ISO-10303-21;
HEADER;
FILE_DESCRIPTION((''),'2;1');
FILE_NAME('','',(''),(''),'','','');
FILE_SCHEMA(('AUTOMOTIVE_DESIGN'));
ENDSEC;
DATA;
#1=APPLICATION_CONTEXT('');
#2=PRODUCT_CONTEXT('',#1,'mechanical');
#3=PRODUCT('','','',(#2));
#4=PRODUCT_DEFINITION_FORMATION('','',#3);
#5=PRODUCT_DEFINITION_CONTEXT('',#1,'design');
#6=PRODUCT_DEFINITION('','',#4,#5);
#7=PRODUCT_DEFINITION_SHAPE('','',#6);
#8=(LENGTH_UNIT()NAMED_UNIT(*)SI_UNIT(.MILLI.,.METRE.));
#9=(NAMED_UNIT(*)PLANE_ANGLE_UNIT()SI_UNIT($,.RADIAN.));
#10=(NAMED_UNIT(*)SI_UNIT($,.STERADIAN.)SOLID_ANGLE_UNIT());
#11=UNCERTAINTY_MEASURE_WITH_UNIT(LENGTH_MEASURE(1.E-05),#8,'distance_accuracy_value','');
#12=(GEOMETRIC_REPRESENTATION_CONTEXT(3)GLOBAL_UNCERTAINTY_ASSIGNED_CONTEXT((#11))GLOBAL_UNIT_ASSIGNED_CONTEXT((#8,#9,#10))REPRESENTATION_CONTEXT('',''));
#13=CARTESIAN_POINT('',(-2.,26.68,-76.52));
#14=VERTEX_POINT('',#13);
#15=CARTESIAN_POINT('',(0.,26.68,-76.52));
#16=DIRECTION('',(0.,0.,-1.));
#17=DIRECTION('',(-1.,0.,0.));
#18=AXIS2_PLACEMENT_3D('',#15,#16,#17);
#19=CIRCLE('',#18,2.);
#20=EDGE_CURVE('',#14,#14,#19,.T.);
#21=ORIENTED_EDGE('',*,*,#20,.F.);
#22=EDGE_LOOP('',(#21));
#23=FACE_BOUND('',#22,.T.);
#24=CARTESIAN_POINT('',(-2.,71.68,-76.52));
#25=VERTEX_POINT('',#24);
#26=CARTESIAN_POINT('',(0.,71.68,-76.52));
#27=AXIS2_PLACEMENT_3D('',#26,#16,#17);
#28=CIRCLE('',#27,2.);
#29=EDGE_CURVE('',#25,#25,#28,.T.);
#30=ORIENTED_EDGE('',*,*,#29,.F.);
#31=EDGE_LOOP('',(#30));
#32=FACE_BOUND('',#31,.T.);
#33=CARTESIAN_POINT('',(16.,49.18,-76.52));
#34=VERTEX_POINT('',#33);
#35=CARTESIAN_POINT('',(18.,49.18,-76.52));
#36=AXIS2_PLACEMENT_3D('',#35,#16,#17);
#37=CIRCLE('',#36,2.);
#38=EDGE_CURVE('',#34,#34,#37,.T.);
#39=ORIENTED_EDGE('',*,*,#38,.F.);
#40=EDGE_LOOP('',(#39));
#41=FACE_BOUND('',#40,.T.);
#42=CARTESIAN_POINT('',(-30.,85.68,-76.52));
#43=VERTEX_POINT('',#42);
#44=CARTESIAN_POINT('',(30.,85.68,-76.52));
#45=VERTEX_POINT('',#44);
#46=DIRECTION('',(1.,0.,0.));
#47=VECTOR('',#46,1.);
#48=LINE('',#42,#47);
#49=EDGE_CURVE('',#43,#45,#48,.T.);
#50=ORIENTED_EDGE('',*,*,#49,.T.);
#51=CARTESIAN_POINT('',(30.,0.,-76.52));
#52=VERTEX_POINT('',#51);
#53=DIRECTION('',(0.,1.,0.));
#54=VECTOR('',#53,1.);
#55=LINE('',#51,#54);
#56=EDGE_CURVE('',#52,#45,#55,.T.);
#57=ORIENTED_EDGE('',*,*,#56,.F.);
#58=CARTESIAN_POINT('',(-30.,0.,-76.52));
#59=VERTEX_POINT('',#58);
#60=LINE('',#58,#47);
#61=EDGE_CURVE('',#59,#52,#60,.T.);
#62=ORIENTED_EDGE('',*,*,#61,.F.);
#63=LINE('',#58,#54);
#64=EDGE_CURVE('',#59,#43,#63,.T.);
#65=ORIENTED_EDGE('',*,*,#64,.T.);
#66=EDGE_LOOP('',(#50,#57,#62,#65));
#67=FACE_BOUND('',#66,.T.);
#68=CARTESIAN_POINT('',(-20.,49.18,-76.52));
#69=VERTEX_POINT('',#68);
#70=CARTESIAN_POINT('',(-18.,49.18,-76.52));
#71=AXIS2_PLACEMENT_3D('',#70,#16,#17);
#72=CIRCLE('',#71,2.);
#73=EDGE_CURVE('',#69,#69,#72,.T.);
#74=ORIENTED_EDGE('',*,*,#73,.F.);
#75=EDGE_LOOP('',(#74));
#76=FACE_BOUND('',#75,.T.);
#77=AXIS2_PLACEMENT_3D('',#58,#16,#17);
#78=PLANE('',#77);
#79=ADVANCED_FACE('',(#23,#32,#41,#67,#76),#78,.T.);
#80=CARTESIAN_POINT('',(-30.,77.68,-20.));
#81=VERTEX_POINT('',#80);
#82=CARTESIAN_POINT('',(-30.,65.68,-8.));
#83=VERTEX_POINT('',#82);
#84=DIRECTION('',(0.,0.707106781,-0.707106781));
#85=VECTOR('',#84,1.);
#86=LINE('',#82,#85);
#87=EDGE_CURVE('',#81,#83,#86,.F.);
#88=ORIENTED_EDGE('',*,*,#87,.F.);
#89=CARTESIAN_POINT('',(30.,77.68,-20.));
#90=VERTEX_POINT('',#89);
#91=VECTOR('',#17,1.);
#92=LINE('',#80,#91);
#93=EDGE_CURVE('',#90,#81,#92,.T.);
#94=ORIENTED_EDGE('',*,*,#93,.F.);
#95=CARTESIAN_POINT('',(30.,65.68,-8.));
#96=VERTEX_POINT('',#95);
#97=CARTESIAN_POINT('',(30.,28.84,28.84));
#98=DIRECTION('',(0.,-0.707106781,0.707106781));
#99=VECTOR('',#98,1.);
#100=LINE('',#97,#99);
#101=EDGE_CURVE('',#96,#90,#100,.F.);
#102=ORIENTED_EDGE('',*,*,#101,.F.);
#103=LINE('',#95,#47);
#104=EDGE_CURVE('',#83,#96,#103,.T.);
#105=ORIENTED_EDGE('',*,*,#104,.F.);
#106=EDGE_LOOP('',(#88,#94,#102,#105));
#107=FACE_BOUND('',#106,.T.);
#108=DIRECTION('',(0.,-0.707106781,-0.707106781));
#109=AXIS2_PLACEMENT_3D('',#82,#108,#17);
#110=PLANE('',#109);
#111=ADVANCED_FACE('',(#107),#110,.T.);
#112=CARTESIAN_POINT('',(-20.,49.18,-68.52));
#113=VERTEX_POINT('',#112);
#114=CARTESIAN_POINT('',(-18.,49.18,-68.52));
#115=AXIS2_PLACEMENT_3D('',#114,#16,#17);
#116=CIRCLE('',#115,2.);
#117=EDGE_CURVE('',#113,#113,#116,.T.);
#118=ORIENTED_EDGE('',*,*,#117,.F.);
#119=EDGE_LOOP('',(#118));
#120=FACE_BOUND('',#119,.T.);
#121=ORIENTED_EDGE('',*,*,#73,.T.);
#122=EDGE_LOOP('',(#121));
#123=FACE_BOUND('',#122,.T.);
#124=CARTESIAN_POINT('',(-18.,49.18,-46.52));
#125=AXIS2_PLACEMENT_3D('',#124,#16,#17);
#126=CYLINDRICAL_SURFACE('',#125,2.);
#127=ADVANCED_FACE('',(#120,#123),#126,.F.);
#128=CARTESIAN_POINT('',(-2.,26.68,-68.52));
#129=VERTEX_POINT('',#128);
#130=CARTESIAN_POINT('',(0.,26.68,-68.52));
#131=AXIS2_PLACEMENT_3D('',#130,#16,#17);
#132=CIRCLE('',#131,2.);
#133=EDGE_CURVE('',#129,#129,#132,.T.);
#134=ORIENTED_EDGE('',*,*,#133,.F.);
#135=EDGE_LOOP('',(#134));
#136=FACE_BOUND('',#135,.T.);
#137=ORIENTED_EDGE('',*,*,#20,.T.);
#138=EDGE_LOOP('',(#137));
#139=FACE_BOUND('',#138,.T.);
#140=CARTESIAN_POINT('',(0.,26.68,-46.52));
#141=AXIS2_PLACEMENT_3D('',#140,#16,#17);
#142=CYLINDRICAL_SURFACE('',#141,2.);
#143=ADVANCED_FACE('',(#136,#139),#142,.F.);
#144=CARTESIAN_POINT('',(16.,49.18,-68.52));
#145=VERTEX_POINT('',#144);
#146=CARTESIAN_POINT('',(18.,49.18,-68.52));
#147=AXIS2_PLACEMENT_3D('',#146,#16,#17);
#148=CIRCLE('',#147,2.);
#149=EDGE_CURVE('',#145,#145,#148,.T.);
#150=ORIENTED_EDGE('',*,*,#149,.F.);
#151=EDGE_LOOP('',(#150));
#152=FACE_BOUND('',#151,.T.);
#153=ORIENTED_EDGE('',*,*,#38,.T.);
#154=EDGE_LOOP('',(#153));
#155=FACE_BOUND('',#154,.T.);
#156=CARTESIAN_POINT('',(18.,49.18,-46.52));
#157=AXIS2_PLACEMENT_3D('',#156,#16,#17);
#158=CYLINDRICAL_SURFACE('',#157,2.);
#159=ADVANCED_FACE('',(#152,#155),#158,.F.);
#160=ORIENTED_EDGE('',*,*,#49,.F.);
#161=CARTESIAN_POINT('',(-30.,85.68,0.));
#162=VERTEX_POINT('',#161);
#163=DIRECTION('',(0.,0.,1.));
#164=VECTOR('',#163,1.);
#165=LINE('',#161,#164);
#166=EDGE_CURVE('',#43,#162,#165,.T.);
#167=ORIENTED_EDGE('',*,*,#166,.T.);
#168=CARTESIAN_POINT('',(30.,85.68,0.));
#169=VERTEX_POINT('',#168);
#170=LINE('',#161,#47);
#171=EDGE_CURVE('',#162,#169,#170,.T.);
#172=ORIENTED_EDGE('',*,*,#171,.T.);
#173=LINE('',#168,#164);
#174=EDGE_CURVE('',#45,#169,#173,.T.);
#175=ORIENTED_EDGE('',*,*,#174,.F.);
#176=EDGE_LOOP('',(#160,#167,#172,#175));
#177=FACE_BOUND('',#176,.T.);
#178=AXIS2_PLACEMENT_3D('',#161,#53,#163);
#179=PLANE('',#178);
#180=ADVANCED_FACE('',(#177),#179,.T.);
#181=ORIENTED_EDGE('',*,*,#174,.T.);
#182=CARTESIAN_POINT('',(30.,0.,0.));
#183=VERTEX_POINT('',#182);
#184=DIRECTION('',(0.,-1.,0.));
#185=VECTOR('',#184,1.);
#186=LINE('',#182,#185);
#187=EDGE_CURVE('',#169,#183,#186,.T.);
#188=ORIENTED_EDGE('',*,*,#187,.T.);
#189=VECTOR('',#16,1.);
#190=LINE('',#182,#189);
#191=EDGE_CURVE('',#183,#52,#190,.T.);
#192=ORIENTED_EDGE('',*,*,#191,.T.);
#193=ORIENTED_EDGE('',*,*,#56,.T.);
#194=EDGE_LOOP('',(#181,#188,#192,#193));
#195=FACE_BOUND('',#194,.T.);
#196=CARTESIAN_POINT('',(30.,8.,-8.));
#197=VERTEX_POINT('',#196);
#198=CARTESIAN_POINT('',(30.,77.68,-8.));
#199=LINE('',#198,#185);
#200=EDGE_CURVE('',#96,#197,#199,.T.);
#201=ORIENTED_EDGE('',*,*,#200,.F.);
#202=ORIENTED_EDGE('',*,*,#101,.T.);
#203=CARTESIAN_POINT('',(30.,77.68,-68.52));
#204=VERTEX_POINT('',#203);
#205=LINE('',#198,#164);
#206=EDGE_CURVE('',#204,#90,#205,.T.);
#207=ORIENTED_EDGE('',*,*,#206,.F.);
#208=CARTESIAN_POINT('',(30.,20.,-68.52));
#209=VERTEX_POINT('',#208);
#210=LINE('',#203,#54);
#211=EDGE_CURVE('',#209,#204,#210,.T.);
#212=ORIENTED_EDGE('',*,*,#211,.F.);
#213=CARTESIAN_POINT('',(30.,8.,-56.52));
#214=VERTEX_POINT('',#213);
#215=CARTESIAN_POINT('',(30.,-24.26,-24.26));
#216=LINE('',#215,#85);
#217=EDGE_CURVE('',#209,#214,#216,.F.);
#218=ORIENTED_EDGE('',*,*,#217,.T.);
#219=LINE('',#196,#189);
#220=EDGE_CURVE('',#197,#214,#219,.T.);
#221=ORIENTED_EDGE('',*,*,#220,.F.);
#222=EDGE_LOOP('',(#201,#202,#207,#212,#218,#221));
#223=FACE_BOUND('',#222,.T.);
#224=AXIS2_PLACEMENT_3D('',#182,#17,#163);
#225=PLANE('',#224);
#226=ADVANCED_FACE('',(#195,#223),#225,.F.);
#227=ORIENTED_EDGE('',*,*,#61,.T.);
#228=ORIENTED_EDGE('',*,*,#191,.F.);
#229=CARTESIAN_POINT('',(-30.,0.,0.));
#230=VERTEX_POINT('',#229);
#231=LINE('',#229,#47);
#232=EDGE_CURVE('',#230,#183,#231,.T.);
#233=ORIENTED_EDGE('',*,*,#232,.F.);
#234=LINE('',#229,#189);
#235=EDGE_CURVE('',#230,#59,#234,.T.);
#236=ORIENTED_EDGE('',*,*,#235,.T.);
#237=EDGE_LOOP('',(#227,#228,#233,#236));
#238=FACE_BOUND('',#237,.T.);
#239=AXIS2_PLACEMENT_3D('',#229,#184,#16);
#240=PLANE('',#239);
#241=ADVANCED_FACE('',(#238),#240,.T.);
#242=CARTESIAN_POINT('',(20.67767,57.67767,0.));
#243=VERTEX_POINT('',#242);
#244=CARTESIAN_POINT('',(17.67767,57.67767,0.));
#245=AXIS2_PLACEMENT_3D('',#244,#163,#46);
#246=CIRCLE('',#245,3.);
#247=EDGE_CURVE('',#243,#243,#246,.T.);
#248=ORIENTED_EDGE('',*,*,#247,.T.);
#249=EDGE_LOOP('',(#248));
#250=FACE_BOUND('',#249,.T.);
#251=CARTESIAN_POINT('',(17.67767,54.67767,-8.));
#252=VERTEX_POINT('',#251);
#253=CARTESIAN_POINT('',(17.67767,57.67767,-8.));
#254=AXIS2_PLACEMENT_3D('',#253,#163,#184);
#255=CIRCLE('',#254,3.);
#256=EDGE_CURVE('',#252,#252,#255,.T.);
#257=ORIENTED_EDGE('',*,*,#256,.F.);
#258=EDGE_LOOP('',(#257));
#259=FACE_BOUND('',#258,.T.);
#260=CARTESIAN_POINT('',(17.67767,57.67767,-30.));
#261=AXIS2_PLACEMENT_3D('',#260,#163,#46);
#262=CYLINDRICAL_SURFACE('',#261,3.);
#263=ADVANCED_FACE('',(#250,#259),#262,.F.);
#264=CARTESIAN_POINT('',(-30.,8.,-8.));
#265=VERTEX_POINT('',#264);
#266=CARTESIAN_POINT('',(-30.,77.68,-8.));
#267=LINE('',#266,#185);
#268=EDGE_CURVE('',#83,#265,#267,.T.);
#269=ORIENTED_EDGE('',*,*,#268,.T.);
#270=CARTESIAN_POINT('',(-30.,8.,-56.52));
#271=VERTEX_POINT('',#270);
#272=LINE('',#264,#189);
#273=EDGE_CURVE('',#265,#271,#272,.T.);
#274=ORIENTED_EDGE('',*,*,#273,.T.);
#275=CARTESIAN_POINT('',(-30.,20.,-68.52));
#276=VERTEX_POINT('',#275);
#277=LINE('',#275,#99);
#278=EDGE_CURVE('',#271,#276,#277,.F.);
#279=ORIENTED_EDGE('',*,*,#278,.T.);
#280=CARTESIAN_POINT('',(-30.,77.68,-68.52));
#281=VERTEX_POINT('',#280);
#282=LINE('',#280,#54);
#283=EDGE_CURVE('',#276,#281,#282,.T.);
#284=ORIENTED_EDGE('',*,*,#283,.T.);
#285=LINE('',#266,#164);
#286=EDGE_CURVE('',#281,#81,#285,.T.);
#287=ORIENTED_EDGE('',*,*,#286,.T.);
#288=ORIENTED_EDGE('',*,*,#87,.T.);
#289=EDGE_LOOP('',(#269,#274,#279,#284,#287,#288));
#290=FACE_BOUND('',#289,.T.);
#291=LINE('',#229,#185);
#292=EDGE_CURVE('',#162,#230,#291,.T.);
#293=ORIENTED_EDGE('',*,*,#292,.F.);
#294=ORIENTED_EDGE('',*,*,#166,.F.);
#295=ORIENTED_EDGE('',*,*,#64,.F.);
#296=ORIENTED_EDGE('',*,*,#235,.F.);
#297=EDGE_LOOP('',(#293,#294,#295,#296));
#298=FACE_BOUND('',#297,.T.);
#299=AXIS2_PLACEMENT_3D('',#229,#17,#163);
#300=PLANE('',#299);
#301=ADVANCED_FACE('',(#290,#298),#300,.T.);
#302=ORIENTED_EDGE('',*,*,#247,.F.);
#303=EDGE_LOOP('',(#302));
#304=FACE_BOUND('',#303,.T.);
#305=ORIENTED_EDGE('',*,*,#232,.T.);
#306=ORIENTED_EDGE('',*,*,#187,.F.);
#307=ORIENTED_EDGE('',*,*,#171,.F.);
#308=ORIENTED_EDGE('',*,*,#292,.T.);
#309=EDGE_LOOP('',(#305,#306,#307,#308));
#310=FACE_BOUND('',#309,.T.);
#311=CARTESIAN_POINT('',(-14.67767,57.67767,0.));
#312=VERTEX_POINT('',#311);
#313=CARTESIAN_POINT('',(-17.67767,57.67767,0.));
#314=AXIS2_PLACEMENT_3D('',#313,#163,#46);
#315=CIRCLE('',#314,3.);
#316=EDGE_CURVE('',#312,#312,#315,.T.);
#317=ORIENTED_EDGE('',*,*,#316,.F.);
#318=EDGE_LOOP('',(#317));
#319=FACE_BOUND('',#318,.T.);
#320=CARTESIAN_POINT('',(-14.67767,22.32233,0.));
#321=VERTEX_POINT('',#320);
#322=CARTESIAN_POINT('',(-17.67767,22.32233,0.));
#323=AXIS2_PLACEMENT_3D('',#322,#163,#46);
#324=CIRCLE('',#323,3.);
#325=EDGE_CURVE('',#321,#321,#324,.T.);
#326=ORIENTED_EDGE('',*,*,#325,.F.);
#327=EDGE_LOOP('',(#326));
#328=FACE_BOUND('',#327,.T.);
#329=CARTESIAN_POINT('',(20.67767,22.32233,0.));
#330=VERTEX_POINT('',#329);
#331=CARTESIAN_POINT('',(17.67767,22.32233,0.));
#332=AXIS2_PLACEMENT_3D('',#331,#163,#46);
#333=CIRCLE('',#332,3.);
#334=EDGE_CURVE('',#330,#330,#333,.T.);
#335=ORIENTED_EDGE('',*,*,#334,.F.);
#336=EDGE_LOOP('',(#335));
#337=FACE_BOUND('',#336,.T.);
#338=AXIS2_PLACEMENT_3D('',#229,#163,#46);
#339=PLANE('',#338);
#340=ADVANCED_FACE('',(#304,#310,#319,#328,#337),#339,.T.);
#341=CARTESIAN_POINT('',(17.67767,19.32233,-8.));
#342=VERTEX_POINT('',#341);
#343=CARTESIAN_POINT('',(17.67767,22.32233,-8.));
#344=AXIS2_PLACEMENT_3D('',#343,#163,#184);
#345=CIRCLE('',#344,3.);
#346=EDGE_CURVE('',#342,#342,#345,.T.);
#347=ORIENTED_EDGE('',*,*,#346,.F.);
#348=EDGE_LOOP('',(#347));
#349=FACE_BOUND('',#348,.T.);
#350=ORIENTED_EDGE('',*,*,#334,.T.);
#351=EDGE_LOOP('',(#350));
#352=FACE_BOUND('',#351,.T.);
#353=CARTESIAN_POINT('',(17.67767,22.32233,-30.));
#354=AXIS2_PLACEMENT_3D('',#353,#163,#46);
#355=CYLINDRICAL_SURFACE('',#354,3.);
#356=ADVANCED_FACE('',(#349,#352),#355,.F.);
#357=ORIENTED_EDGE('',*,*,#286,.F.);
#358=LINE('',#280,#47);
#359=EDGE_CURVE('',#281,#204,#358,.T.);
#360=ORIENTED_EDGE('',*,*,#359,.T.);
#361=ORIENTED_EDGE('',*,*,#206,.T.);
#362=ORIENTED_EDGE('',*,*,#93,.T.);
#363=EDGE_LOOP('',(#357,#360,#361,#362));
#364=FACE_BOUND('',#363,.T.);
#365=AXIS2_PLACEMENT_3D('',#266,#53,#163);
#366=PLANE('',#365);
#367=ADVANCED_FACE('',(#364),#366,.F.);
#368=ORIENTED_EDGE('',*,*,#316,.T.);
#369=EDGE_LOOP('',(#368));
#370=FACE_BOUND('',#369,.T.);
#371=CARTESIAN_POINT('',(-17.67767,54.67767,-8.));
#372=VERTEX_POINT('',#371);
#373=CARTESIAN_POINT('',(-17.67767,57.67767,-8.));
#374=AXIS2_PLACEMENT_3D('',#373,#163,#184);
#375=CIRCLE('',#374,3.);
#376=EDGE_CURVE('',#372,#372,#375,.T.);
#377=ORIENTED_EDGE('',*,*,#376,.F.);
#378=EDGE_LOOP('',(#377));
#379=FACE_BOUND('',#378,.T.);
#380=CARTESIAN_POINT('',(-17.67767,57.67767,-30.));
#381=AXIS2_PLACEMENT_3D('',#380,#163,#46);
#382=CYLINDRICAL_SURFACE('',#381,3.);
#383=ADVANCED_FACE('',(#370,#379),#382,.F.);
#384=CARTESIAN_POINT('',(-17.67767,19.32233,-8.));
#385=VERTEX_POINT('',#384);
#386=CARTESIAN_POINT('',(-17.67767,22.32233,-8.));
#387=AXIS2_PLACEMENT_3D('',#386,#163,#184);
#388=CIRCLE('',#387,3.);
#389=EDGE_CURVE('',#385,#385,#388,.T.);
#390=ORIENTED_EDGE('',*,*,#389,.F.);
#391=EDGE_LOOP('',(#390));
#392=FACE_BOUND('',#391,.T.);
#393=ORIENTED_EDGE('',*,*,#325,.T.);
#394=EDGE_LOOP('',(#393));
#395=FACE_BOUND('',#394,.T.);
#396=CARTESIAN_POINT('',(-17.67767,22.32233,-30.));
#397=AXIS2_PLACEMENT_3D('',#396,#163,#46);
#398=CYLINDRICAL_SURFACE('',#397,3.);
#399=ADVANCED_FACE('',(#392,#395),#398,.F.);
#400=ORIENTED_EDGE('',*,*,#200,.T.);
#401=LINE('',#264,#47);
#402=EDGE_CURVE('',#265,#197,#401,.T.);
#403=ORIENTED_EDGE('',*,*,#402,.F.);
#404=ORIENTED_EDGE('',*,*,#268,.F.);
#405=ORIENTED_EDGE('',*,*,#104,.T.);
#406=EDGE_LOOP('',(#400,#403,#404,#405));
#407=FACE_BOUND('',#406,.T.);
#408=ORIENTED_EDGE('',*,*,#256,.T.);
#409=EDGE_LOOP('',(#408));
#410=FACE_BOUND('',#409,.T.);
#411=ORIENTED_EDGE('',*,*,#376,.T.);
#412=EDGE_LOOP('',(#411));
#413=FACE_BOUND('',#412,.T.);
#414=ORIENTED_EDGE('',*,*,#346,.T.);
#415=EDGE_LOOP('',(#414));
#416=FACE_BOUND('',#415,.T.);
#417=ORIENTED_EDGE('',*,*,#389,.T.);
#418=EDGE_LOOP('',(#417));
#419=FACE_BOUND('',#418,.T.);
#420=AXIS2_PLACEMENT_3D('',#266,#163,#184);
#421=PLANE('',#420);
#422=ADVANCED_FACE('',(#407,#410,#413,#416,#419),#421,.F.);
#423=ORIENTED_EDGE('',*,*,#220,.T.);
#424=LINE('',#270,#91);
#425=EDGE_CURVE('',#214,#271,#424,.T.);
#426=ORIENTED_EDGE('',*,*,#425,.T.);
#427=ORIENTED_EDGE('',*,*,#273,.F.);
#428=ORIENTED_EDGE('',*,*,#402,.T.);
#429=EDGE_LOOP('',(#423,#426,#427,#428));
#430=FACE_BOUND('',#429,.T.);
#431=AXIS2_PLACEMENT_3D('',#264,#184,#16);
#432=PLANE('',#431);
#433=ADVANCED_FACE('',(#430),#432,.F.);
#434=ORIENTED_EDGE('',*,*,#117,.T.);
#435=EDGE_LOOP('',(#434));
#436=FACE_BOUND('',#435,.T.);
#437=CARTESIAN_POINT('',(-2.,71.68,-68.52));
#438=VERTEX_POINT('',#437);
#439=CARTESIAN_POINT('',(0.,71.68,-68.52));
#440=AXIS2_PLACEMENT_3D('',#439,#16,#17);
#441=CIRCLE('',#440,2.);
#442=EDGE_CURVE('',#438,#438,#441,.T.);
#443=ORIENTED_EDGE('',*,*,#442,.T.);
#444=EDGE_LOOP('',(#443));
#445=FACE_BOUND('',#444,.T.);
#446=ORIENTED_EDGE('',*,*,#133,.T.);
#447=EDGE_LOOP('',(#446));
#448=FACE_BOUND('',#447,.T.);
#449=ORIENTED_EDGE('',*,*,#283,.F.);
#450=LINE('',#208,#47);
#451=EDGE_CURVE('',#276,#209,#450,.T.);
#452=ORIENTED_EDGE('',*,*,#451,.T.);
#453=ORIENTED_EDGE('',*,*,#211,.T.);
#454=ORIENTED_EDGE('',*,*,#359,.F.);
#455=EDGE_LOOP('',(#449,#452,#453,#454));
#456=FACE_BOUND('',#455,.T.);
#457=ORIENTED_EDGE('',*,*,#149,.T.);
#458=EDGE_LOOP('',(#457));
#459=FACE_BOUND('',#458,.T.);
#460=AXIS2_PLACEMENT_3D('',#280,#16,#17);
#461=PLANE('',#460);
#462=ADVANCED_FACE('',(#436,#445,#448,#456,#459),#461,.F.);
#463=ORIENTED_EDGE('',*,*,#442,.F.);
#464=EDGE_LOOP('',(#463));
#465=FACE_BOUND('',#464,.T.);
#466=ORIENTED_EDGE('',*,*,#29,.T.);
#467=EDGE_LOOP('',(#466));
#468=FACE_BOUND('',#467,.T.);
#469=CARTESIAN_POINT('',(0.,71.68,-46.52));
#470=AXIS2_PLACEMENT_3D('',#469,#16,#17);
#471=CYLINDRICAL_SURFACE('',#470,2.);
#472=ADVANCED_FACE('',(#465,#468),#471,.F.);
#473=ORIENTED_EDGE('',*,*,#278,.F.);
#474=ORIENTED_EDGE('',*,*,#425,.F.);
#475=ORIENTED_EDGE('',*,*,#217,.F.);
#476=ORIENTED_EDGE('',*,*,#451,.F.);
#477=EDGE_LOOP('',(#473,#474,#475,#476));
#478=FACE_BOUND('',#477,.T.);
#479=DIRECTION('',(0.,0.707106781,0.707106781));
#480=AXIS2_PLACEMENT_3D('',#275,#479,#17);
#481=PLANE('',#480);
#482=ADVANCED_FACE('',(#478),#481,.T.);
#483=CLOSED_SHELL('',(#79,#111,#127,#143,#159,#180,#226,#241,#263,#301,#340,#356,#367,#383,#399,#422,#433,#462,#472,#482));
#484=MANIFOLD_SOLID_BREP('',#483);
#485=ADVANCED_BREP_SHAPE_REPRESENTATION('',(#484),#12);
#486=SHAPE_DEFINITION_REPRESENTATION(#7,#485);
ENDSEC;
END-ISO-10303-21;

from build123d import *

# Parameters (mm, degrees)
BOSS_EXTRUDE1_DEPTH      = 30
BOSS_EXTRUDE1_DEPTH_BACK = 30
SKETCH1_W                = 76.52
SKETCH1_H                = 85.68
SKETCH1_W_2              = 60.52
SKETCH1_H_2              = 69.68
SKETCH2_R                = 2
CUT_EXTRUDE1_DEPTH       = 30
SKETCH3_R                = 3
CUT_EXTRUDE2_DEPTH       = 30
CHAMFER1_SIZE            = 12


with BuildPart() as part:
    # Sketch1 → Boss-Extrude1 (new, two sides: drawn at the far end of the back side and taken through both)
    with BuildSketch(Plane(origin=(0, 0, 0), x_dir=(0, 0, -1), z_dir=(1, 0, 0)).offset(-BOSS_EXTRUDE1_DEPTH_BACK)):
        with Locations((38.26, 42.84)):
            Rectangle(SKETCH1_W, SKETCH1_H)
        with Locations((38.26, 42.84)):
            Rectangle(SKETCH1_W_2, SKETCH1_H_2, mode=Mode.SUBTRACT)
    extrude(amount=BOSS_EXTRUDE1_DEPTH + BOSS_EXTRUDE1_DEPTH_BACK)

    # Sketch2 → Cut-Extrude1 (cut)
    with BuildSketch(Plane(origin=(0, 0, -76.52), x_dir=(-1, 0, 0), z_dir=(0, 0, -1))):
        with Locations((0, 71.68)):
            Circle(SKETCH2_R)
        with Locations((18, 49.18)):
            Circle(SKETCH2_R)
        with Locations((-18, 49.18)):
            Circle(SKETCH2_R)
        with Locations((0, 26.68)):
            Circle(SKETCH2_R)
    extrude(amount=-CUT_EXTRUDE1_DEPTH, mode=Mode.SUBTRACT)

    # Sketch3 → Cut-Extrude2 (cut)
    with BuildSketch(Plane.XY):
        with Locations((17.67766953, 22.32233047)):
            Circle(SKETCH3_R)
        with Locations((-17.67766953, 22.32233047)):
            Circle(SKETCH3_R)
        with Locations((-17.67766953, 57.67766953)):
            Circle(SKETCH3_R)
        with Locations((17.67766953, 57.67766953)):
            Circle(SKETCH3_R)
    extrude(amount=-CUT_EXTRUDE2_DEPTH, mode=Mode.SUBTRACT)

    # Chamfer1
    chamfer1_edges = [part.edges().sort_by_distance(p)[0] for p in [
        (0, 77.68, -8),
        (0, 8, -68.52),
    ]]
    chamfer(chamfer1_edges, length=CHAMFER1_SIZE)


solid = part.part
